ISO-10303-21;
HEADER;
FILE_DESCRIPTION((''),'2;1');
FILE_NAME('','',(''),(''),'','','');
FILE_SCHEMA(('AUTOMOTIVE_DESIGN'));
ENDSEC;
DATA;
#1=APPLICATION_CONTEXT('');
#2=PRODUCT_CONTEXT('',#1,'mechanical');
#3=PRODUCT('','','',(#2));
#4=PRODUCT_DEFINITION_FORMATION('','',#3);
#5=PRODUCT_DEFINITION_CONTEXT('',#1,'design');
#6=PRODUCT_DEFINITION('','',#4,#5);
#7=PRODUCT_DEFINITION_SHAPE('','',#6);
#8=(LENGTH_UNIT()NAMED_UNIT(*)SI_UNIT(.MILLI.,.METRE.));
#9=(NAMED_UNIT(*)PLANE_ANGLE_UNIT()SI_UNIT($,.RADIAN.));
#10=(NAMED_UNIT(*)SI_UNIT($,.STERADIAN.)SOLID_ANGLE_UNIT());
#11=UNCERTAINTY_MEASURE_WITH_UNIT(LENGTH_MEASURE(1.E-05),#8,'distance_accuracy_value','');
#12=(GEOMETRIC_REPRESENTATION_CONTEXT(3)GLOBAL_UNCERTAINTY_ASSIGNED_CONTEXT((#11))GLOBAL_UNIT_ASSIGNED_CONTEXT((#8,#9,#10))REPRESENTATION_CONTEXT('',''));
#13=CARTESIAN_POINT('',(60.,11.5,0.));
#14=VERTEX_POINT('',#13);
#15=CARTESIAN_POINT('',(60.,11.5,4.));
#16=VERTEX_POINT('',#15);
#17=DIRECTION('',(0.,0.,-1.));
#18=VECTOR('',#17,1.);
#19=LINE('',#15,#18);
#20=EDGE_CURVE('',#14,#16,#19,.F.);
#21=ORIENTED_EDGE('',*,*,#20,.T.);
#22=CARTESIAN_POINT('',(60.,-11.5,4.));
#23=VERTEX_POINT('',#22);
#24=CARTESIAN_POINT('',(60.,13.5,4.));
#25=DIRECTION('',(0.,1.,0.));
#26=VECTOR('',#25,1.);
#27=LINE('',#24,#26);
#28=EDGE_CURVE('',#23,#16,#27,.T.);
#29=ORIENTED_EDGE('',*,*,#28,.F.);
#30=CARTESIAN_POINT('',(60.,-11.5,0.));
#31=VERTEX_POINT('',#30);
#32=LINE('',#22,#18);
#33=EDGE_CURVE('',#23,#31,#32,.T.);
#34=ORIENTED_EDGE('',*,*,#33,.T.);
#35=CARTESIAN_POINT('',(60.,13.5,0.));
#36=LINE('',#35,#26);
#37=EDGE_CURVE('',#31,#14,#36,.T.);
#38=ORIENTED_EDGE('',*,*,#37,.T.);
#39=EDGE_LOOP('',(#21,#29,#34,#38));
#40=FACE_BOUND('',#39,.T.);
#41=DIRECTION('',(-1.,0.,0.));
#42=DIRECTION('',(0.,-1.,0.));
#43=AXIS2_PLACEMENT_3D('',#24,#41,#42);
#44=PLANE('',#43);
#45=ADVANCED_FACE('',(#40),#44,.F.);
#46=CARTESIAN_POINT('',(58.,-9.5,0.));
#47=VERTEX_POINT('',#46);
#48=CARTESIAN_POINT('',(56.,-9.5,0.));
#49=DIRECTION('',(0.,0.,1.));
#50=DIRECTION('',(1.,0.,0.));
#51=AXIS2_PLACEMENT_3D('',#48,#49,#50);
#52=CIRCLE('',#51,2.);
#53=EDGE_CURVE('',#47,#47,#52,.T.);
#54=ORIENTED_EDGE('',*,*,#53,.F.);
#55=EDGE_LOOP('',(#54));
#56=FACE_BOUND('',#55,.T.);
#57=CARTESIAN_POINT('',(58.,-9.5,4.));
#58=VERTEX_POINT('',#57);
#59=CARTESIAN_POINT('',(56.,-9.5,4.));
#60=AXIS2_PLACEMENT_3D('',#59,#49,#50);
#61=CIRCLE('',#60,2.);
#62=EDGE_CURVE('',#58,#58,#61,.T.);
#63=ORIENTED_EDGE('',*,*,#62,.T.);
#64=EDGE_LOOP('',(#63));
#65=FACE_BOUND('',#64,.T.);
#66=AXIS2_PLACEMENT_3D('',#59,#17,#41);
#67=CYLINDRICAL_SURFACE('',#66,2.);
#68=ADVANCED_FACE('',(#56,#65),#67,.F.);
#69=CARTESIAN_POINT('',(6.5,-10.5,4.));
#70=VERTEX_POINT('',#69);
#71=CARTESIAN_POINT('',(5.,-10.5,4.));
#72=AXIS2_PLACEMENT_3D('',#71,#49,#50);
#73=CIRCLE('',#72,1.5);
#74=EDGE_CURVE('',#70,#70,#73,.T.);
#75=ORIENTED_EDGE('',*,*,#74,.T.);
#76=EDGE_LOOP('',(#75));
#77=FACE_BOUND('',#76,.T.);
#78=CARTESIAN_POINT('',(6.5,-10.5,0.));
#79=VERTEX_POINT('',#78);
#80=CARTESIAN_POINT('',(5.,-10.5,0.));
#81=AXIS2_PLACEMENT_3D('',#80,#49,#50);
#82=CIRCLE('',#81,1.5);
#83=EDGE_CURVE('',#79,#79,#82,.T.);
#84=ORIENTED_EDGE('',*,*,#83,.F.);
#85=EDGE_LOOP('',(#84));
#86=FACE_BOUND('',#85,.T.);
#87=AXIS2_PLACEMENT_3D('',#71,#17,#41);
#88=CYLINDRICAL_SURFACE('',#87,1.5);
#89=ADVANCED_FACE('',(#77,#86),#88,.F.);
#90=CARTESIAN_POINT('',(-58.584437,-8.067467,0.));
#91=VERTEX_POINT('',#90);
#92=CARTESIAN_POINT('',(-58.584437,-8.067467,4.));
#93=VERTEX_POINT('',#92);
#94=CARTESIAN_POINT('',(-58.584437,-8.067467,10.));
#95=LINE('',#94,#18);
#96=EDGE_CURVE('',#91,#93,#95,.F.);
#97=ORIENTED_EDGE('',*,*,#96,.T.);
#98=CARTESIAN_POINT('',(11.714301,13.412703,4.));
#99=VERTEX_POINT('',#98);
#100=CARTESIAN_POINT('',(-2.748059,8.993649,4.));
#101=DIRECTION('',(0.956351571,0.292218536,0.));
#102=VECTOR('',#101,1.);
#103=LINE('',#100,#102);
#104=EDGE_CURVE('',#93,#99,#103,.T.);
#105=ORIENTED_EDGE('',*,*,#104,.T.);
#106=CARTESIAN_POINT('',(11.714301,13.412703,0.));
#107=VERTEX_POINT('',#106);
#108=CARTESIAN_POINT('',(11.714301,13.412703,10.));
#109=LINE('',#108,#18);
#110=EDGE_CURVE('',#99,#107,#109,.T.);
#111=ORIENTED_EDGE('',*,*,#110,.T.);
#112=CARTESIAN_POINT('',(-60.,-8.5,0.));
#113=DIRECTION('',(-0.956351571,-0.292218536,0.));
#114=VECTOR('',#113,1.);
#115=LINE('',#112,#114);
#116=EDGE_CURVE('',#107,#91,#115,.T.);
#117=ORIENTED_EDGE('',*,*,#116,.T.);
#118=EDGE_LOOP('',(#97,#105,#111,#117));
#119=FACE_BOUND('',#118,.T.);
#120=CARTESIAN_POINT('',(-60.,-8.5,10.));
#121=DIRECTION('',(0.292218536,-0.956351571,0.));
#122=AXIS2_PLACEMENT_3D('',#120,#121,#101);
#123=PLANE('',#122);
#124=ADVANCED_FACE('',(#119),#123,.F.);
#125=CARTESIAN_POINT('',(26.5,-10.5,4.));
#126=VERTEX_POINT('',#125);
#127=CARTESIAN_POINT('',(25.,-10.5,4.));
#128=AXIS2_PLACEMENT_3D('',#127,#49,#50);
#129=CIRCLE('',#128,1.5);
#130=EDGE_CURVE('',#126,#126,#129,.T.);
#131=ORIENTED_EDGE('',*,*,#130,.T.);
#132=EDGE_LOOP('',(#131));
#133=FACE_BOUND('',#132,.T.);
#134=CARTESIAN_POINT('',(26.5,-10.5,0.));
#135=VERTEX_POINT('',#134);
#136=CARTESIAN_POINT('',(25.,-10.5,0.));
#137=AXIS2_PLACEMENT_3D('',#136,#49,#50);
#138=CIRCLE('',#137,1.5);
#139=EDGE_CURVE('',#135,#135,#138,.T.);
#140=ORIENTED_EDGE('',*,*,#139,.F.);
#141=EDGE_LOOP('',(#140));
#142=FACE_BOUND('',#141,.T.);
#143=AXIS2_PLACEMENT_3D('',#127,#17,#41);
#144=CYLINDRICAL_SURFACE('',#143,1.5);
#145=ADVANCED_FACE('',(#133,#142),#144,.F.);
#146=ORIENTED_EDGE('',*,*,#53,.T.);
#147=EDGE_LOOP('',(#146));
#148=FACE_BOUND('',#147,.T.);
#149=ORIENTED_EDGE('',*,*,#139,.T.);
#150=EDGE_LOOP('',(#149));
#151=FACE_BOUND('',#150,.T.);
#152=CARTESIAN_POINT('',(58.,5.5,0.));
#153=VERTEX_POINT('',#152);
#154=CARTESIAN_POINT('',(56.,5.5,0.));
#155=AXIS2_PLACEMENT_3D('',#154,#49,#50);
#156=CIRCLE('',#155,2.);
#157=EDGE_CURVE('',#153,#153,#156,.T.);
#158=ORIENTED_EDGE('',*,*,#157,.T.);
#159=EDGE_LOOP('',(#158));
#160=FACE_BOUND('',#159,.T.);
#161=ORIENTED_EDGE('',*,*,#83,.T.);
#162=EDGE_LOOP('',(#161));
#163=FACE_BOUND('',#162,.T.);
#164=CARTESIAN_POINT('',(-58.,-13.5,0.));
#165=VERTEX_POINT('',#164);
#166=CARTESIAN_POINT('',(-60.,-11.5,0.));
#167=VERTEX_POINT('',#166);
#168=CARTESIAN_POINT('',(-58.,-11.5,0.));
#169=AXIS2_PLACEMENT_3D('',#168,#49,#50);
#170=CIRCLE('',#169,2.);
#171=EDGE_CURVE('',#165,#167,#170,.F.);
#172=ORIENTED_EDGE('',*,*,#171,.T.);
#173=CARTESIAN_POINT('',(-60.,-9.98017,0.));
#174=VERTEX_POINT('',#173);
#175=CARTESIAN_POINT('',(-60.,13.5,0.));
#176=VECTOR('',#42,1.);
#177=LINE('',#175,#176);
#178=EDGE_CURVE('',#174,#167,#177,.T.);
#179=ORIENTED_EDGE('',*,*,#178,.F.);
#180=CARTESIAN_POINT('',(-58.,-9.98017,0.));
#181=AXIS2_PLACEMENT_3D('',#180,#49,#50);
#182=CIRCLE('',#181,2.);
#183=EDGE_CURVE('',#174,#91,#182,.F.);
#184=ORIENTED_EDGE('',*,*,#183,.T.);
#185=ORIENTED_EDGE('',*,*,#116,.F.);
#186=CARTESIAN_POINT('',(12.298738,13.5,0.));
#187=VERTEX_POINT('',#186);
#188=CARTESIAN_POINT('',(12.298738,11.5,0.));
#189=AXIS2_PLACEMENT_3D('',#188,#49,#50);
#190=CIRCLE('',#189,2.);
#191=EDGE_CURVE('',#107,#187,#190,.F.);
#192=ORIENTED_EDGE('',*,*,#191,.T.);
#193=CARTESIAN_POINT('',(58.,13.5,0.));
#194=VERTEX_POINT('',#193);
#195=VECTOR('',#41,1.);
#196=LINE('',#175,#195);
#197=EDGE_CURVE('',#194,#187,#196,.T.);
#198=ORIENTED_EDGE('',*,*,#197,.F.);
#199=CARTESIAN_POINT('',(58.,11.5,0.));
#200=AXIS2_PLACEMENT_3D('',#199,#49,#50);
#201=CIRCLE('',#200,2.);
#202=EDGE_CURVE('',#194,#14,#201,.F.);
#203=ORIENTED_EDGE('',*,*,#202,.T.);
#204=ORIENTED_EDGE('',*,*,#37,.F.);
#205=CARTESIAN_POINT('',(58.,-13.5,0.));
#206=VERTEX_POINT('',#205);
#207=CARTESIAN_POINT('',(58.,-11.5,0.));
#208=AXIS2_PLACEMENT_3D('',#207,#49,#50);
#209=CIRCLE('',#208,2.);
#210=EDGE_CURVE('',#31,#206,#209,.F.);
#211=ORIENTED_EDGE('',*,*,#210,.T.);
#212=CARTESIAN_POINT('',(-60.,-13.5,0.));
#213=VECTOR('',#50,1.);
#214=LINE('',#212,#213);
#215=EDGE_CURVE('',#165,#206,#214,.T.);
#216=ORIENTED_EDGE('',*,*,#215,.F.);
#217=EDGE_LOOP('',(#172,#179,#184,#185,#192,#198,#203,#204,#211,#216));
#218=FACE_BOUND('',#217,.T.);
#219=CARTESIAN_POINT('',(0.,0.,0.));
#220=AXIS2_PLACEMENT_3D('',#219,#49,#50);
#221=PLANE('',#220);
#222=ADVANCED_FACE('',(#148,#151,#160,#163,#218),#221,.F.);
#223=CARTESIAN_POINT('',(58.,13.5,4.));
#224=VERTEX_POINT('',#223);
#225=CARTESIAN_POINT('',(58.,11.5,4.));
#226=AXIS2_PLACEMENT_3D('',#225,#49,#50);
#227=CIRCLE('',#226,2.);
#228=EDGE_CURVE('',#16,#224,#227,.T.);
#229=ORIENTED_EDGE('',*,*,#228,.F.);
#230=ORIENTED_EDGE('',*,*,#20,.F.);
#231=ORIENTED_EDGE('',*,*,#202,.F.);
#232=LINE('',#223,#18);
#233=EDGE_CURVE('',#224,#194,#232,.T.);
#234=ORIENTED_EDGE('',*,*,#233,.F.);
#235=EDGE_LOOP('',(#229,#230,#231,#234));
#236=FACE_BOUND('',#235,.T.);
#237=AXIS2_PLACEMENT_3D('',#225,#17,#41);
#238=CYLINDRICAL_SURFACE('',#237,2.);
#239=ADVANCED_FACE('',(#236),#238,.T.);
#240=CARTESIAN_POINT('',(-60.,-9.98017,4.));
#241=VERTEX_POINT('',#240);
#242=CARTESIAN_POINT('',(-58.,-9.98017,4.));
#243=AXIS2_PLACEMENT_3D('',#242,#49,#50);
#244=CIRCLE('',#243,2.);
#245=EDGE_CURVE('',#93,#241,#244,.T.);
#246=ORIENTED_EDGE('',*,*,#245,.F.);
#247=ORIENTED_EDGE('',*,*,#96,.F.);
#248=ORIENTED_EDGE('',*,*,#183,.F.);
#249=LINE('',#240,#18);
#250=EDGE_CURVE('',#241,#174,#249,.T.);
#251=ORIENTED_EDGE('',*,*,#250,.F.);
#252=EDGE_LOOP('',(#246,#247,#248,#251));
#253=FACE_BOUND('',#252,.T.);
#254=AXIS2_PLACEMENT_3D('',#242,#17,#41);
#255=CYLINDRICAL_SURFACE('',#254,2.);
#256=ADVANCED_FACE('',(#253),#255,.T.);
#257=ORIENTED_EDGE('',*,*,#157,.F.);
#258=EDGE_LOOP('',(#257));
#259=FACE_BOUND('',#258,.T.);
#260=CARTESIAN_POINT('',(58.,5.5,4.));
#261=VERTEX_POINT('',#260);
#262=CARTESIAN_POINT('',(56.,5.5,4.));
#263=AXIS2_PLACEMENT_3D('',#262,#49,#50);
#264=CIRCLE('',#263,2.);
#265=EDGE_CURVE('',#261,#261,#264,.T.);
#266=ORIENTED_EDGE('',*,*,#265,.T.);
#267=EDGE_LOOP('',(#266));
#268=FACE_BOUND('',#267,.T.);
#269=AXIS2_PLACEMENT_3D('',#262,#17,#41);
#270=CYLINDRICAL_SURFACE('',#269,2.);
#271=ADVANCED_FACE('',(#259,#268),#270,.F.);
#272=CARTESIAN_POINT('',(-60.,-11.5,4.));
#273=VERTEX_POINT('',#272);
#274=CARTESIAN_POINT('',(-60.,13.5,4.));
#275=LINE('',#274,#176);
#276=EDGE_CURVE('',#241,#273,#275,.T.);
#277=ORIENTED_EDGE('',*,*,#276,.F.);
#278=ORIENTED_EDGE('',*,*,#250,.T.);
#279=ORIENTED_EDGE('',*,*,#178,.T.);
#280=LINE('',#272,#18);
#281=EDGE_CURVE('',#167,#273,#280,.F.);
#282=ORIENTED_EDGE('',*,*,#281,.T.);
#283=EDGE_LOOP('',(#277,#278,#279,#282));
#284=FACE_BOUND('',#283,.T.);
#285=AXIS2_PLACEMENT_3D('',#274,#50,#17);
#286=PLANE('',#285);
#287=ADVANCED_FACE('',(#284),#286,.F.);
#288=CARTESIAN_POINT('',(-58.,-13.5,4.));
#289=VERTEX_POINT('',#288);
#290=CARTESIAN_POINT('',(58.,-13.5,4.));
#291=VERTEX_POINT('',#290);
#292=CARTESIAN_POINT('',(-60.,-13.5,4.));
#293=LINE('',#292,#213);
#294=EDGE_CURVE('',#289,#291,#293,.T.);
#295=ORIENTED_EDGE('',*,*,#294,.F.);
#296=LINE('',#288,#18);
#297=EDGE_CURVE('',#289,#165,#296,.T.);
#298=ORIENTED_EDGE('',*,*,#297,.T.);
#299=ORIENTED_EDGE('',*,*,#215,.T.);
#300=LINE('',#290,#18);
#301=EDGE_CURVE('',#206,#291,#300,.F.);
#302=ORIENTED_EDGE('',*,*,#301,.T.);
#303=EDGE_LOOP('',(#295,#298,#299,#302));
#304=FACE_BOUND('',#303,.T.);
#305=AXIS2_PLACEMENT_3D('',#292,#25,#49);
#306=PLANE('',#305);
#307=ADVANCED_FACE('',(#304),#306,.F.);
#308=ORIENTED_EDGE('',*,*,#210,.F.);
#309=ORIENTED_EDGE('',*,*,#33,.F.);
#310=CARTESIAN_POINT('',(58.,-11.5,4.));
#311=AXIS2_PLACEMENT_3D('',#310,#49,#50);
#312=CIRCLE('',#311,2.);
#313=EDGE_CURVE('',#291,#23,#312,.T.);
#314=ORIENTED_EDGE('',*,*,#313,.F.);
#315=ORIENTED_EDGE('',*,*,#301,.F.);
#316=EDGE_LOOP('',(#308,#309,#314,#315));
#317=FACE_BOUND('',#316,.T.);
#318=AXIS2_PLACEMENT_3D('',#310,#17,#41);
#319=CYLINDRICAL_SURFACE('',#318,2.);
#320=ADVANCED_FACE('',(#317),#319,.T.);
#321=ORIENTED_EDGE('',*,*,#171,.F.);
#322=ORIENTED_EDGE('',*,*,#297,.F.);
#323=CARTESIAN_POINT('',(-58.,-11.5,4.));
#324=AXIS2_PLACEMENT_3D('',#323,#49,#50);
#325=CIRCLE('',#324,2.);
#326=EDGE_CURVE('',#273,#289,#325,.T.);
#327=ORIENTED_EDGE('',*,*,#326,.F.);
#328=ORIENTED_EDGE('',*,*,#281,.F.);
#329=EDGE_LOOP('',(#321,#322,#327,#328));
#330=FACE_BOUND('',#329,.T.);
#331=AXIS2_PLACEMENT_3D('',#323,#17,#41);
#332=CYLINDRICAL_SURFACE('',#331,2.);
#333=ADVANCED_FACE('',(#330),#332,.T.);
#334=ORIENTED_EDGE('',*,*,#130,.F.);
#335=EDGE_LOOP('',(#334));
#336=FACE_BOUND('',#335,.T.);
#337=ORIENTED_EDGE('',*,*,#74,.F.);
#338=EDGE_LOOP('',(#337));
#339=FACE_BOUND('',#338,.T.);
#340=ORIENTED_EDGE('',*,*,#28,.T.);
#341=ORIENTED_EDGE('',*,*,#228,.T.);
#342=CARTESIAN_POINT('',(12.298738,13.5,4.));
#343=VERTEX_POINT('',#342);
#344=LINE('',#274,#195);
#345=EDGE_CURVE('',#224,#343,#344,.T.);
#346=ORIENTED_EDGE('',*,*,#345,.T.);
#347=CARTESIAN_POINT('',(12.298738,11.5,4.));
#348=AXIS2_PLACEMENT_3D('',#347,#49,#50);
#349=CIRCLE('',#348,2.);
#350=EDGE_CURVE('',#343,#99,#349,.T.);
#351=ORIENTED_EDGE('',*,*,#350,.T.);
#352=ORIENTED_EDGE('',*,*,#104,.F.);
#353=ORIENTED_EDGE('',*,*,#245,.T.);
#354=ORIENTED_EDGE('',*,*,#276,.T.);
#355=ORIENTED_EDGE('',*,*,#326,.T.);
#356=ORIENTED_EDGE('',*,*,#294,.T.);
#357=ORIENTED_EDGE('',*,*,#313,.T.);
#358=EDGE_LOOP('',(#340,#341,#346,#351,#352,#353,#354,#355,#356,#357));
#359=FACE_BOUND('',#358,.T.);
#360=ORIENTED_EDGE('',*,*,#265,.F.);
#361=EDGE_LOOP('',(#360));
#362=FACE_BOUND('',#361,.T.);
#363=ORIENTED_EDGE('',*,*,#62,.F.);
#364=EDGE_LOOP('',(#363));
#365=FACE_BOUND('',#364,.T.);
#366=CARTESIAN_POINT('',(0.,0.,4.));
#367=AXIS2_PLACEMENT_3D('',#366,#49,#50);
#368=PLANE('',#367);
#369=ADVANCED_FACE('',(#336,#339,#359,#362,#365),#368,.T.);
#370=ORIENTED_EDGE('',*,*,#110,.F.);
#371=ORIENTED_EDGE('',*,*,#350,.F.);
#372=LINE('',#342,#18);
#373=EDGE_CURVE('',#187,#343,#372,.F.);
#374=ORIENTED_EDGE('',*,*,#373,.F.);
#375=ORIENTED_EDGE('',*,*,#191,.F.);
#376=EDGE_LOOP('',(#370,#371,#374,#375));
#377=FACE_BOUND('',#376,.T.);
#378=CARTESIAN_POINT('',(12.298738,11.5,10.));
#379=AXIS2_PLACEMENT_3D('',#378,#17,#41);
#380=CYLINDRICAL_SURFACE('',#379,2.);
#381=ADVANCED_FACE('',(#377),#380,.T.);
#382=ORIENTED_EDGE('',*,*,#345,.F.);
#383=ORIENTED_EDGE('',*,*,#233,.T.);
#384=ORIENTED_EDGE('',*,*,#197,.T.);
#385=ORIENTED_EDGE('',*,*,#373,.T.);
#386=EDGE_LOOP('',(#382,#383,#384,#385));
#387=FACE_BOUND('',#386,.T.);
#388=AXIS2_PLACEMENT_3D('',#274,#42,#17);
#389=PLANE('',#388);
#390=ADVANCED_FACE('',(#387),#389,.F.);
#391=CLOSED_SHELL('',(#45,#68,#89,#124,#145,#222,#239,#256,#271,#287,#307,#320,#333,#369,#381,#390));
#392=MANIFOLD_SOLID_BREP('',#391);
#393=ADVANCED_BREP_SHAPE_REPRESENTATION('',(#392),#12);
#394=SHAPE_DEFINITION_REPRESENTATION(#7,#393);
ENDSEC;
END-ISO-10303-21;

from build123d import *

# Parameters (mm, degrees)
SKETCH_1_W          = 120
SKETCH_1_H          = 27
SKETCH_1_R          = 2
SKETCH_1_R_2        = 1.5
EXTRUDE_1_DEPTH     = 4
CUT_EXTRUDE_1_DEPTH = 10
FILLET_1_R          = 2


with BuildPart() as part:
    # 草图1 → 凸台-拉伸1 (new body)
    with BuildSketch(Plane.XY):
        Rectangle(SKETCH_1_W, SKETCH_1_H)
        with Locations((56, 5.5)):
            Circle(SKETCH_1_R, mode=Mode.SUBTRACT)
        with Locations((56, -9.5)):
            Circle(SKETCH_1_R, mode=Mode.SUBTRACT)
        with Locations((25, -10.5)):
            Circle(SKETCH_1_R_2, mode=Mode.SUBTRACT)
        with Locations((5, -10.5)):
            Circle(SKETCH_1_R_2, mode=Mode.SUBTRACT)
    extrude(amount=EXTRUDE_1_DEPTH)

    # 草图2 → 切除-拉伸1 (cut)
    with BuildSketch(Plane(origin=(0, 0, 0), x_dir=(-1, 0, 0), z_dir=(0, 0, -1))):
        Polygon((60, -8.5), (-12, 13.5), (60, 13.5), align=None)
    extrude(amount=-CUT_EXTRUDE_1_DEPTH, mode=Mode.SUBTRACT)

    # 圆角1
    fillet_1_edges = [part.edges().sort_by_distance(p)[0] for p in [
        (-60, -8.5, 2),
        (12, 13.5, 2),
        (60, -13.5, 2),
        (-60, -13.5, 2),
        (60, 13.5, 2),
    ]]
    fillet(fillet_1_edges, radius=FILLET_1_R)


solid = part.part
